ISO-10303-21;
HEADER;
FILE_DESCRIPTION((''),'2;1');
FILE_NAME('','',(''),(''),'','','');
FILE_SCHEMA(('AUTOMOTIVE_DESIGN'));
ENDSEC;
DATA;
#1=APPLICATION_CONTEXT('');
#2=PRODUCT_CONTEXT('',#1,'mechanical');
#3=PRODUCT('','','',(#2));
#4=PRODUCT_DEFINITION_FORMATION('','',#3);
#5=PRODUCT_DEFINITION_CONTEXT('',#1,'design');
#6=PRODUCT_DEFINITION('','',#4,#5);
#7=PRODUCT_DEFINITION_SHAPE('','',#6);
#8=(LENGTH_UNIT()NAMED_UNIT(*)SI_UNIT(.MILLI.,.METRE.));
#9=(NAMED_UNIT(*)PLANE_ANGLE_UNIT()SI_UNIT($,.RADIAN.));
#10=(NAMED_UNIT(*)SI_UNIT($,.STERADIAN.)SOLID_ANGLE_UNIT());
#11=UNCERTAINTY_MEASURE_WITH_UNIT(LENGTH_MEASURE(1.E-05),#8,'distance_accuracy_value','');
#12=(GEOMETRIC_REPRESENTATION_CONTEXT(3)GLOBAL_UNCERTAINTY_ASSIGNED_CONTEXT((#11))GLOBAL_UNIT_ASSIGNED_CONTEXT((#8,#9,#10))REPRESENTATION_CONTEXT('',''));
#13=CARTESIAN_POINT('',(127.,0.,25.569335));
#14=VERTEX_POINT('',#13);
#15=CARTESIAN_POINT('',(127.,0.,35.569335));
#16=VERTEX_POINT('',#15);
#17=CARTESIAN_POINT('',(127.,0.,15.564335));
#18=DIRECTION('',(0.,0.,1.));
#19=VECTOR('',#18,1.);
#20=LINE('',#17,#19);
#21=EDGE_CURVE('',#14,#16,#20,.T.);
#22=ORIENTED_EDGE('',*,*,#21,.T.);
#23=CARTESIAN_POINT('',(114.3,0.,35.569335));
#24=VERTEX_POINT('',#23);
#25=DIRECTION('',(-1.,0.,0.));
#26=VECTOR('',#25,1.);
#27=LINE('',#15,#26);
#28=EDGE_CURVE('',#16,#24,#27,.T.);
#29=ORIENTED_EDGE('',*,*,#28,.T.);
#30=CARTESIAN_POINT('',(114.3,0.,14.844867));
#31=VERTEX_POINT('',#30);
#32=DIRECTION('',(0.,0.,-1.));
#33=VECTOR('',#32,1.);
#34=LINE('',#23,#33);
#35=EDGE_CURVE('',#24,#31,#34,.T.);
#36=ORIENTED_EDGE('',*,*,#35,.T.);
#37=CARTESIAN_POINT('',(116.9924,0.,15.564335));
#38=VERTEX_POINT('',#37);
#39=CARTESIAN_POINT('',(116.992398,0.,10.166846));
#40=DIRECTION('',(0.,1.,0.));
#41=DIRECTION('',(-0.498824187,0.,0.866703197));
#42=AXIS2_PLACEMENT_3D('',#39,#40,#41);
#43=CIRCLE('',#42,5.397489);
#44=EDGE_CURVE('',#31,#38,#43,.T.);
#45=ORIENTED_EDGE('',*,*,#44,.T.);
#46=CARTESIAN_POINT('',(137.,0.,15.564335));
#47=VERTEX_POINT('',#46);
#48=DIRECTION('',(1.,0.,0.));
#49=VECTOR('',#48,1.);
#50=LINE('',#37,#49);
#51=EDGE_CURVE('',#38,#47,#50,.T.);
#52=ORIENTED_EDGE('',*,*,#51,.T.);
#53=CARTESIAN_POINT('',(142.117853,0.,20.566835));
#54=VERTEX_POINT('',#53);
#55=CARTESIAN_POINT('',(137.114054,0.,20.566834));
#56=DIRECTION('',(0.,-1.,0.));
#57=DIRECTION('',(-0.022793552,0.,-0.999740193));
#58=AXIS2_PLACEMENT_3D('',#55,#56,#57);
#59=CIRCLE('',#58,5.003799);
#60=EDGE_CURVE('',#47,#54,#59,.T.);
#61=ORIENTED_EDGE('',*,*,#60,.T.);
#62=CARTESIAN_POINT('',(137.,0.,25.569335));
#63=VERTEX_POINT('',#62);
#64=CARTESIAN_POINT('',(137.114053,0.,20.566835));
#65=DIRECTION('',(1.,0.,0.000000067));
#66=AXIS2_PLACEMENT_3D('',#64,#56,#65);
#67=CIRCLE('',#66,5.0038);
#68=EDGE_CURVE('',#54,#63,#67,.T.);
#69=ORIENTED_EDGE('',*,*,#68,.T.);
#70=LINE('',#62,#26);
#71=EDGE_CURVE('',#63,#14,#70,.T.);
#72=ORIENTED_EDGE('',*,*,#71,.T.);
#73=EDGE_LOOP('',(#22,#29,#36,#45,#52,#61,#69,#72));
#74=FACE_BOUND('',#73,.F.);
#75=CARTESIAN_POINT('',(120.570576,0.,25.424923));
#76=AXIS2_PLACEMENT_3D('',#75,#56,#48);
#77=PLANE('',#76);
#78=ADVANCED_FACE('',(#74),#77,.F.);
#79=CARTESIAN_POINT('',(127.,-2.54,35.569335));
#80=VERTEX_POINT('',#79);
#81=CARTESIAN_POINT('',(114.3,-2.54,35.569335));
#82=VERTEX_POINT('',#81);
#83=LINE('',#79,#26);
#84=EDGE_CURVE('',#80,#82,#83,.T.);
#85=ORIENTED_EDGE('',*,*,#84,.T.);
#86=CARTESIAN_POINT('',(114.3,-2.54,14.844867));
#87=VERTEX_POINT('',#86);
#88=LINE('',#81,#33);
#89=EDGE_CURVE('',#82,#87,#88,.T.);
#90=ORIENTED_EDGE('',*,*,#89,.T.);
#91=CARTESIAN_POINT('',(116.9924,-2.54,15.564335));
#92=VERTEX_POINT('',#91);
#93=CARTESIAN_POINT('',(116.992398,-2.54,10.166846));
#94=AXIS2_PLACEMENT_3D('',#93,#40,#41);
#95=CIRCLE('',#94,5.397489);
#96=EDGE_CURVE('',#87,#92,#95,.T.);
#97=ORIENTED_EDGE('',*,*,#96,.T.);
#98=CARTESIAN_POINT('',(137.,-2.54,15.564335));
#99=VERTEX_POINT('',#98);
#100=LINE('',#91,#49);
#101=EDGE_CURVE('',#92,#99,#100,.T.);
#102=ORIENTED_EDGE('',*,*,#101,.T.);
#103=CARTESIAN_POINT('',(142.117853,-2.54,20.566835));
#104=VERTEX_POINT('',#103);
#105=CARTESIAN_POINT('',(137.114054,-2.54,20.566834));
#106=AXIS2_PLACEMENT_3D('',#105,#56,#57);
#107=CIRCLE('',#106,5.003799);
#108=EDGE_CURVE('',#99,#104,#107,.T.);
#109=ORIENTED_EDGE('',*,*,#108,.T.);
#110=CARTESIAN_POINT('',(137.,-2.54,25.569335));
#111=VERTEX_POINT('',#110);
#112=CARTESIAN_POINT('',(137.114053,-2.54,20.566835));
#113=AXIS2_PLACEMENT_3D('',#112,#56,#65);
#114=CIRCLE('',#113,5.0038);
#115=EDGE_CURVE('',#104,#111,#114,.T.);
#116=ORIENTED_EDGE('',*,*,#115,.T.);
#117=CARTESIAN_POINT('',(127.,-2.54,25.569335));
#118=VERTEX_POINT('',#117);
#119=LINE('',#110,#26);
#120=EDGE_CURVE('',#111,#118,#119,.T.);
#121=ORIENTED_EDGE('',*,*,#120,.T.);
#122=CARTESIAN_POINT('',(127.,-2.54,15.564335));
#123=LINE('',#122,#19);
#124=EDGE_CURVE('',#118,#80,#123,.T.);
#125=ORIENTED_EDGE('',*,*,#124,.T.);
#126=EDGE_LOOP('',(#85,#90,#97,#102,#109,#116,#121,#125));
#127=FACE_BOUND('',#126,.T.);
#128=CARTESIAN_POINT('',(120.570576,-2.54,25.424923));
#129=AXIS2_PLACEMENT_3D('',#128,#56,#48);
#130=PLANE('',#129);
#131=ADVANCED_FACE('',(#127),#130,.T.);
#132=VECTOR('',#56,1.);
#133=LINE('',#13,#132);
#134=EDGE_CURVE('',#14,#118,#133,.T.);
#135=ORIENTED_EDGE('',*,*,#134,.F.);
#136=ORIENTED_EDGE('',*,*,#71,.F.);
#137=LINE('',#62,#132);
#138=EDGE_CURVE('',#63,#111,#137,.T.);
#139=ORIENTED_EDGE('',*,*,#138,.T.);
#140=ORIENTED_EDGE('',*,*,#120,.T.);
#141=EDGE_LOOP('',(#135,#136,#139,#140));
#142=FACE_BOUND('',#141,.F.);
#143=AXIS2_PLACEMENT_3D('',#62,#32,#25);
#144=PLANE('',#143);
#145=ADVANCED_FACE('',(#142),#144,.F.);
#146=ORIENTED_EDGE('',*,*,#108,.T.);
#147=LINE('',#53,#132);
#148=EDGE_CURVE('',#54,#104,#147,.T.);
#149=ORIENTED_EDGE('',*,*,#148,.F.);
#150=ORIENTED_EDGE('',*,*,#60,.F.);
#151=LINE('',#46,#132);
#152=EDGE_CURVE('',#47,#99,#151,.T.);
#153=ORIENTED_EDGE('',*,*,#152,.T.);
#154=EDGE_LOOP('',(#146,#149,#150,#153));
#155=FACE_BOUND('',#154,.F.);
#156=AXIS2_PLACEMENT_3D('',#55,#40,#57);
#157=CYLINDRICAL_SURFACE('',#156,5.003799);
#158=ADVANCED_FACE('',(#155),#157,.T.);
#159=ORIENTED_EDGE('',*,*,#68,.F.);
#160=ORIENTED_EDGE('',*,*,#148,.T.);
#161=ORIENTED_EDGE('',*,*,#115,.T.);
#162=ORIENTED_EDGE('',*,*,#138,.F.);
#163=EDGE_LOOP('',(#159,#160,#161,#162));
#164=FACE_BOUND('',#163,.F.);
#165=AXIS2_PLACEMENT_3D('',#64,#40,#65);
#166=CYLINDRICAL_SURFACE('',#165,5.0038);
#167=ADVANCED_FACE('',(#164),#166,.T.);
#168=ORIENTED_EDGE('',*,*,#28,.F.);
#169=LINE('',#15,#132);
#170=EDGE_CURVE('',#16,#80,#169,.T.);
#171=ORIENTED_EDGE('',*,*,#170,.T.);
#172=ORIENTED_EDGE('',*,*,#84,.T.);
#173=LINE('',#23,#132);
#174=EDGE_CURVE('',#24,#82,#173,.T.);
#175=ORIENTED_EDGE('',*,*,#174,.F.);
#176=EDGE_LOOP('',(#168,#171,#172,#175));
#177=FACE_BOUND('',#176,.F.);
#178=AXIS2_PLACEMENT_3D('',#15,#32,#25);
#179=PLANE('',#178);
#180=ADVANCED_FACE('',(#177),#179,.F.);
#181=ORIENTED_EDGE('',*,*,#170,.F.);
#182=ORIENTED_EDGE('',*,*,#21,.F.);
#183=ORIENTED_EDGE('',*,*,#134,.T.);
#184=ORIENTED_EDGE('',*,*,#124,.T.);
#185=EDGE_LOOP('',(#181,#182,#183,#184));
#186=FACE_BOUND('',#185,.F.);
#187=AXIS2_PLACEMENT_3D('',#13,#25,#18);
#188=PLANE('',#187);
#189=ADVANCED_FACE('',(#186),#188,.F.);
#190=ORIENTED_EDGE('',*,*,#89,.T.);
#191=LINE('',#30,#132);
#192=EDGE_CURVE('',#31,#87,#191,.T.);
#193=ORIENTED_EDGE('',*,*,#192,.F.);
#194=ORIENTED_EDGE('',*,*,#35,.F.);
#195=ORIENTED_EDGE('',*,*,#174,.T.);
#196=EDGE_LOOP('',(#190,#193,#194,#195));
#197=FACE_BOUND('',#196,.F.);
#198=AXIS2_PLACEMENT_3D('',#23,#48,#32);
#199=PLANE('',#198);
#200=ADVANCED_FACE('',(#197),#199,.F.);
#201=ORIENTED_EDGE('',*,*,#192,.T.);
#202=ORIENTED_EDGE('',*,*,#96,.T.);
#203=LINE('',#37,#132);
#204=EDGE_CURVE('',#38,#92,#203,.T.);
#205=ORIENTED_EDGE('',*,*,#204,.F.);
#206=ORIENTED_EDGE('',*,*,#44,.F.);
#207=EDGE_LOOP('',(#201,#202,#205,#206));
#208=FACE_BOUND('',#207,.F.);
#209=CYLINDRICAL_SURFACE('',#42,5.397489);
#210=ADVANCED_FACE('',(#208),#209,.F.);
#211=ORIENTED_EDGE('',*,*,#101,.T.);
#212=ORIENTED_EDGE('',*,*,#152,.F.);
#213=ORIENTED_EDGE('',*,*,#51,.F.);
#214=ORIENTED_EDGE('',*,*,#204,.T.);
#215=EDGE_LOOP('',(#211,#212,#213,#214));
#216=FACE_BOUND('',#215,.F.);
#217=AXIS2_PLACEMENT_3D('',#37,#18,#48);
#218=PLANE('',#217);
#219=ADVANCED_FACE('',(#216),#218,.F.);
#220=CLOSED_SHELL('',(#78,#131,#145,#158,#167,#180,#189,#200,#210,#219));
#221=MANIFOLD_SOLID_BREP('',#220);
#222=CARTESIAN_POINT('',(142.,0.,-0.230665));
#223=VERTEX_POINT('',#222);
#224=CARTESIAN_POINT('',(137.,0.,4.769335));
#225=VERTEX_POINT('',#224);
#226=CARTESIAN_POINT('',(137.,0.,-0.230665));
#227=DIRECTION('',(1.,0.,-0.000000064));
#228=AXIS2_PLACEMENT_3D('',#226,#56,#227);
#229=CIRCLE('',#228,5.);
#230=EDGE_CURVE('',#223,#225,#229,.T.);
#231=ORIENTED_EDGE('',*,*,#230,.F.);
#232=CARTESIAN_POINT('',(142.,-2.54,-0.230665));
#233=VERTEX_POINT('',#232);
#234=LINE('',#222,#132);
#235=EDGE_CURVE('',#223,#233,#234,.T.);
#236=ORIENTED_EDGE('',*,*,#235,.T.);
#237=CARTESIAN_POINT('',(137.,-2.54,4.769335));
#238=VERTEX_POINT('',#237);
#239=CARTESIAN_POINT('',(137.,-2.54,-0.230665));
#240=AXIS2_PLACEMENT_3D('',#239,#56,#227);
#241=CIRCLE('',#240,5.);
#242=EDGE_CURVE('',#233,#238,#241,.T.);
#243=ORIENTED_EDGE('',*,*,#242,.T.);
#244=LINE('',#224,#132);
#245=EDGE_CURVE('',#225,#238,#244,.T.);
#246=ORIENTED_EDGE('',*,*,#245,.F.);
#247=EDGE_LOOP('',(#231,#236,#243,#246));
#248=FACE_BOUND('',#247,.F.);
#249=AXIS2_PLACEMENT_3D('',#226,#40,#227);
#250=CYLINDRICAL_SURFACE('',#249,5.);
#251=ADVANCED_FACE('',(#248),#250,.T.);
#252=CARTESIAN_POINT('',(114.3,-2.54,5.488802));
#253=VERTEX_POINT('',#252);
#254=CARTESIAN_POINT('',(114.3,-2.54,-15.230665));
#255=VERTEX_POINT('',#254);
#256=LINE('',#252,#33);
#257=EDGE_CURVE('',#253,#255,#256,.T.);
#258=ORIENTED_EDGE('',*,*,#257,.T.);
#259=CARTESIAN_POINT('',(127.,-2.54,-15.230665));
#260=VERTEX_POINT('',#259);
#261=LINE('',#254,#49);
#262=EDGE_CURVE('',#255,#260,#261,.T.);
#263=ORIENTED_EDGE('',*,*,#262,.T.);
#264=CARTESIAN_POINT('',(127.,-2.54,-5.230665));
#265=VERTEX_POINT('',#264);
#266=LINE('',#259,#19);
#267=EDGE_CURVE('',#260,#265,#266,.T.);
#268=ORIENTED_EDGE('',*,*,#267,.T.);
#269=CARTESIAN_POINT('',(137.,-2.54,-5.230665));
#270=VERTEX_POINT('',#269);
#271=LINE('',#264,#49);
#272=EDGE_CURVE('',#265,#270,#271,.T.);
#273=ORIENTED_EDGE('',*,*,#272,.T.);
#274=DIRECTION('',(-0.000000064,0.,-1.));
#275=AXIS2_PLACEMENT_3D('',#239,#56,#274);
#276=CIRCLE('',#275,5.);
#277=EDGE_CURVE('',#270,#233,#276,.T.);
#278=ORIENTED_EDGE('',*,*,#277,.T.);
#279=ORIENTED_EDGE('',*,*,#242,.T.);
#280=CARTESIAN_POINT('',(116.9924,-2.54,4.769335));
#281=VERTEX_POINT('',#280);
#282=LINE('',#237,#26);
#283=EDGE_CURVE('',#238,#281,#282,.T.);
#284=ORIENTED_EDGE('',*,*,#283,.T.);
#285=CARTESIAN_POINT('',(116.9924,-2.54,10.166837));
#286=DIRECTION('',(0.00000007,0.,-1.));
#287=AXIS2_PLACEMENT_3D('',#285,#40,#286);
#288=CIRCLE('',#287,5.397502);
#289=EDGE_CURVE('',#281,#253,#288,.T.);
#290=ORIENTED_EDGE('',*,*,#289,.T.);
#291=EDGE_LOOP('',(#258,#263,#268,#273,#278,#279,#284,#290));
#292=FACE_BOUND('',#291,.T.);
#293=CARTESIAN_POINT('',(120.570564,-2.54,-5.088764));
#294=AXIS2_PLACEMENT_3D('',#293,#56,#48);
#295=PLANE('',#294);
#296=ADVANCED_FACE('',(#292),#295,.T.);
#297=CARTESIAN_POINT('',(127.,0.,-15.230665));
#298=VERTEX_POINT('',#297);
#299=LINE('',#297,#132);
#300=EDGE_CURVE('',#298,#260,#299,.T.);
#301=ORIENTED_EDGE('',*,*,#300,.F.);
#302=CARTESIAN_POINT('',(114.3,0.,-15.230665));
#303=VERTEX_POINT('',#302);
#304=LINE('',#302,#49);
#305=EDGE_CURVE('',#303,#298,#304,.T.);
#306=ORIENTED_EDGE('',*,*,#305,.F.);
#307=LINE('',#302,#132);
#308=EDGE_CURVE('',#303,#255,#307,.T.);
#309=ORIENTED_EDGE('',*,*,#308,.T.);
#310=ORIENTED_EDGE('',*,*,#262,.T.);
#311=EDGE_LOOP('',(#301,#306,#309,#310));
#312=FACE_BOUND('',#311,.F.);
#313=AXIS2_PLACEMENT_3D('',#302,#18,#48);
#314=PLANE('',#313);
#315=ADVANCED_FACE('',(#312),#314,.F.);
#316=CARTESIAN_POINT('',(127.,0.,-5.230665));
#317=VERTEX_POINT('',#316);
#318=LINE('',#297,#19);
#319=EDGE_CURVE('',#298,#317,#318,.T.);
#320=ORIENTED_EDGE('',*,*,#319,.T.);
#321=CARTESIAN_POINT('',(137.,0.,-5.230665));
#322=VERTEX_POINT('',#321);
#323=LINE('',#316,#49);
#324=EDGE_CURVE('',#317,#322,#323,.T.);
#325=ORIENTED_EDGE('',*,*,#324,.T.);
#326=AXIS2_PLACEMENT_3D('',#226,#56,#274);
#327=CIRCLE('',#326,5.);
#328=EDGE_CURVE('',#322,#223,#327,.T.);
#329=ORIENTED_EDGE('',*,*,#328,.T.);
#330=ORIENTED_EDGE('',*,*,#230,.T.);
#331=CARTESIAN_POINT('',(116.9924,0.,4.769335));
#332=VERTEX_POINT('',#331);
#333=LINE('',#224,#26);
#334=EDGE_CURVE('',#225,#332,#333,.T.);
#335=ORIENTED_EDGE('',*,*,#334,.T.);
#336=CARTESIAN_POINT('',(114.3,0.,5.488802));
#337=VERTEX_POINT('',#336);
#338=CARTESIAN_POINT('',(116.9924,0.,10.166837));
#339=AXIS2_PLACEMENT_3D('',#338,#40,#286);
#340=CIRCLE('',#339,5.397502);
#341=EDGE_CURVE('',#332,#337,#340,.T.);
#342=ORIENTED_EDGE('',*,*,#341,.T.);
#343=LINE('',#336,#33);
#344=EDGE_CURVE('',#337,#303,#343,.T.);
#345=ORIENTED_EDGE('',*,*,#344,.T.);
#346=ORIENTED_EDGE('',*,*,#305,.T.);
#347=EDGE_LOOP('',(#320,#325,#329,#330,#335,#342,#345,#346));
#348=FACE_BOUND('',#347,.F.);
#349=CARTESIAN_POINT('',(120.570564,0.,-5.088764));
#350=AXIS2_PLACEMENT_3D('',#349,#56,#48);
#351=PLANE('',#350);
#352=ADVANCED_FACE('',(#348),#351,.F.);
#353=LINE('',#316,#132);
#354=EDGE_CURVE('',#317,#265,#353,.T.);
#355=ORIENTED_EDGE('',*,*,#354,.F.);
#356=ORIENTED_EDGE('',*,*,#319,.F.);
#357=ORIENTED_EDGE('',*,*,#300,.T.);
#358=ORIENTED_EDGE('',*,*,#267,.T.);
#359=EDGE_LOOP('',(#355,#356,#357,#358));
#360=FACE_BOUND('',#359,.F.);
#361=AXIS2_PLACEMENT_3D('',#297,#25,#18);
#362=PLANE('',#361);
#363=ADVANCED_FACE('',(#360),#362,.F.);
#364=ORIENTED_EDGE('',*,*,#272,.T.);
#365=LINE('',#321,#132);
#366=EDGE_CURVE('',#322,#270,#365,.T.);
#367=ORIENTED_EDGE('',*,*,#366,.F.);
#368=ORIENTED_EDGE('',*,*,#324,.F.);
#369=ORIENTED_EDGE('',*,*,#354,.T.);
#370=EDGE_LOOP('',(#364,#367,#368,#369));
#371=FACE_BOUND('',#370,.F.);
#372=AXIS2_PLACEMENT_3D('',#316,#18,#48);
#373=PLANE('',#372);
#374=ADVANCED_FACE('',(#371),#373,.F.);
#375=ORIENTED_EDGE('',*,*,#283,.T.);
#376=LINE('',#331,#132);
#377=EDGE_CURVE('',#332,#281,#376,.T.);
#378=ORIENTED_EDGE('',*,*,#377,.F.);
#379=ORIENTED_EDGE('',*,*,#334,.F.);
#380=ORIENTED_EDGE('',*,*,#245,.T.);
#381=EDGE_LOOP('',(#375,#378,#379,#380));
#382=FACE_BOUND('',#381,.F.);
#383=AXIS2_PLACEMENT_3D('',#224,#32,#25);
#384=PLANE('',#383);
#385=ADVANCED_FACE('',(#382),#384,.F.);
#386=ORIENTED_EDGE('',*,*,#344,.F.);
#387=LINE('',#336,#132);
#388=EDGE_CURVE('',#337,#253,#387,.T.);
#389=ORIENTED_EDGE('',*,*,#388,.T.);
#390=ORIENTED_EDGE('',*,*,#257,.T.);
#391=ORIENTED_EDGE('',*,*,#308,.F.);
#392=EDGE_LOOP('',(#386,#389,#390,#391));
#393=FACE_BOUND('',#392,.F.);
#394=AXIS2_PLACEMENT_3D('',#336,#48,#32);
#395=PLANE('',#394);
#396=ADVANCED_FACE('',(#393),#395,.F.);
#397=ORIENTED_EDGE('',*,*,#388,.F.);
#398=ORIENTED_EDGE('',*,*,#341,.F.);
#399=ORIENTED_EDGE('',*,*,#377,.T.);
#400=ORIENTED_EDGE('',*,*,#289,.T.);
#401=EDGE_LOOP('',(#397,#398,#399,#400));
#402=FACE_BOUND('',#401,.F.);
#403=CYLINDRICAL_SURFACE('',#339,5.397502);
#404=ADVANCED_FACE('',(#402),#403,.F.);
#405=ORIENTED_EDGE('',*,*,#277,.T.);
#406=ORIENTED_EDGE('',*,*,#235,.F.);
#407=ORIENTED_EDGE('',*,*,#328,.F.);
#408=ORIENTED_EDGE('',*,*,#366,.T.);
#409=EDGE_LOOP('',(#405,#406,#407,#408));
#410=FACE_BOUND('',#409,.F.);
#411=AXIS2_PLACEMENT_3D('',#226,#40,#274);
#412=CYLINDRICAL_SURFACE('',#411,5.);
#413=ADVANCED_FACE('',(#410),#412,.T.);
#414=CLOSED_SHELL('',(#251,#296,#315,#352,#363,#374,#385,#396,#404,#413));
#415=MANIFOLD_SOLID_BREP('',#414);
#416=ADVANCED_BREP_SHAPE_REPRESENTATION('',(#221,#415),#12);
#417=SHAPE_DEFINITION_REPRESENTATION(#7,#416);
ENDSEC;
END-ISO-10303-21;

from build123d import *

# Parameters (mm, degrees)
F1_DEPTH = 2.54


with BuildPart() as f1:
    # F0 (on Front) → F1 (new body)
    with BuildSketch(Plane.XZ):
        with BuildLine():
            Line((114.3, 5.488802), (114.3, -15.230665))
            Line((114.3, -15.230665), (127, -15.230665))
            Line((127, -15.230665), (127, -5.230665))
            Line((127, -5.230665), (127, 4.769335))
            Line((127, 4.769335), (116.9924, 4.769335))
            ThreePointArc((116.9924, 4.769335), (115.598964, 4.952303), (114.3, 5.488802))
        make_face()
        with BuildLine():
            Line((114.3, 35.569335), (114.3, 14.844867))
            ThreePointArc((114.3, 14.844867), (115.598964, 15.381367), (116.9924, 15.564335))
            Line((116.9924, 15.564335), (127, 15.564335))
            Line((127, 15.564335), (127, 25.569335))
            Line((127, 25.569335), (127, 35.569335))
            Line((127, 35.569335), (114.3, 35.569335))
        make_face()
        with BuildLine():
            ThreePointArc((137, 25.569335), (132.110253, 20.566835), (137, 15.564335))
            ThreePointArc((137, 15.564335), (140.611718, 16.988517), (142.117853, 20.566835))
            ThreePointArc((142.117853, 20.566835), (140.611718, 24.145152), (137, 25.569335))
        make_face()
        with BuildLine():
            Line((127, 25.569335), (127, 15.564335))
            Line((127, 15.564335), (137, 15.564335))
            ThreePointArc((137, 15.564335), (132.110253, 20.566835), (137, 25.569335))
            Line((137, 25.569335), (127, 25.569335))
        make_face()
        with BuildLine():
            ThreePointArc((137, 4.769335), (132, -0.230665), (137, -5.230665))
            ThreePointArc((137, -5.230665), (140.535534, -3.766199), (142, -0.230665))
            ThreePointArc((142, -0.230665), (140.535534, 3.304869), (137, 4.769335))
        make_face()
        with BuildLine():
            Line((127, 4.769335), (127, -5.230665))
            Line((127, -5.230665), (137, -5.230665))
            ThreePointArc((137, -5.230665), (132, -0.230665), (137, 4.769335))
            Line((137, 4.769335), (127, 4.769335))
        make_face()
    extrude(amount=F1_DEPTH)


solid = f1.part
